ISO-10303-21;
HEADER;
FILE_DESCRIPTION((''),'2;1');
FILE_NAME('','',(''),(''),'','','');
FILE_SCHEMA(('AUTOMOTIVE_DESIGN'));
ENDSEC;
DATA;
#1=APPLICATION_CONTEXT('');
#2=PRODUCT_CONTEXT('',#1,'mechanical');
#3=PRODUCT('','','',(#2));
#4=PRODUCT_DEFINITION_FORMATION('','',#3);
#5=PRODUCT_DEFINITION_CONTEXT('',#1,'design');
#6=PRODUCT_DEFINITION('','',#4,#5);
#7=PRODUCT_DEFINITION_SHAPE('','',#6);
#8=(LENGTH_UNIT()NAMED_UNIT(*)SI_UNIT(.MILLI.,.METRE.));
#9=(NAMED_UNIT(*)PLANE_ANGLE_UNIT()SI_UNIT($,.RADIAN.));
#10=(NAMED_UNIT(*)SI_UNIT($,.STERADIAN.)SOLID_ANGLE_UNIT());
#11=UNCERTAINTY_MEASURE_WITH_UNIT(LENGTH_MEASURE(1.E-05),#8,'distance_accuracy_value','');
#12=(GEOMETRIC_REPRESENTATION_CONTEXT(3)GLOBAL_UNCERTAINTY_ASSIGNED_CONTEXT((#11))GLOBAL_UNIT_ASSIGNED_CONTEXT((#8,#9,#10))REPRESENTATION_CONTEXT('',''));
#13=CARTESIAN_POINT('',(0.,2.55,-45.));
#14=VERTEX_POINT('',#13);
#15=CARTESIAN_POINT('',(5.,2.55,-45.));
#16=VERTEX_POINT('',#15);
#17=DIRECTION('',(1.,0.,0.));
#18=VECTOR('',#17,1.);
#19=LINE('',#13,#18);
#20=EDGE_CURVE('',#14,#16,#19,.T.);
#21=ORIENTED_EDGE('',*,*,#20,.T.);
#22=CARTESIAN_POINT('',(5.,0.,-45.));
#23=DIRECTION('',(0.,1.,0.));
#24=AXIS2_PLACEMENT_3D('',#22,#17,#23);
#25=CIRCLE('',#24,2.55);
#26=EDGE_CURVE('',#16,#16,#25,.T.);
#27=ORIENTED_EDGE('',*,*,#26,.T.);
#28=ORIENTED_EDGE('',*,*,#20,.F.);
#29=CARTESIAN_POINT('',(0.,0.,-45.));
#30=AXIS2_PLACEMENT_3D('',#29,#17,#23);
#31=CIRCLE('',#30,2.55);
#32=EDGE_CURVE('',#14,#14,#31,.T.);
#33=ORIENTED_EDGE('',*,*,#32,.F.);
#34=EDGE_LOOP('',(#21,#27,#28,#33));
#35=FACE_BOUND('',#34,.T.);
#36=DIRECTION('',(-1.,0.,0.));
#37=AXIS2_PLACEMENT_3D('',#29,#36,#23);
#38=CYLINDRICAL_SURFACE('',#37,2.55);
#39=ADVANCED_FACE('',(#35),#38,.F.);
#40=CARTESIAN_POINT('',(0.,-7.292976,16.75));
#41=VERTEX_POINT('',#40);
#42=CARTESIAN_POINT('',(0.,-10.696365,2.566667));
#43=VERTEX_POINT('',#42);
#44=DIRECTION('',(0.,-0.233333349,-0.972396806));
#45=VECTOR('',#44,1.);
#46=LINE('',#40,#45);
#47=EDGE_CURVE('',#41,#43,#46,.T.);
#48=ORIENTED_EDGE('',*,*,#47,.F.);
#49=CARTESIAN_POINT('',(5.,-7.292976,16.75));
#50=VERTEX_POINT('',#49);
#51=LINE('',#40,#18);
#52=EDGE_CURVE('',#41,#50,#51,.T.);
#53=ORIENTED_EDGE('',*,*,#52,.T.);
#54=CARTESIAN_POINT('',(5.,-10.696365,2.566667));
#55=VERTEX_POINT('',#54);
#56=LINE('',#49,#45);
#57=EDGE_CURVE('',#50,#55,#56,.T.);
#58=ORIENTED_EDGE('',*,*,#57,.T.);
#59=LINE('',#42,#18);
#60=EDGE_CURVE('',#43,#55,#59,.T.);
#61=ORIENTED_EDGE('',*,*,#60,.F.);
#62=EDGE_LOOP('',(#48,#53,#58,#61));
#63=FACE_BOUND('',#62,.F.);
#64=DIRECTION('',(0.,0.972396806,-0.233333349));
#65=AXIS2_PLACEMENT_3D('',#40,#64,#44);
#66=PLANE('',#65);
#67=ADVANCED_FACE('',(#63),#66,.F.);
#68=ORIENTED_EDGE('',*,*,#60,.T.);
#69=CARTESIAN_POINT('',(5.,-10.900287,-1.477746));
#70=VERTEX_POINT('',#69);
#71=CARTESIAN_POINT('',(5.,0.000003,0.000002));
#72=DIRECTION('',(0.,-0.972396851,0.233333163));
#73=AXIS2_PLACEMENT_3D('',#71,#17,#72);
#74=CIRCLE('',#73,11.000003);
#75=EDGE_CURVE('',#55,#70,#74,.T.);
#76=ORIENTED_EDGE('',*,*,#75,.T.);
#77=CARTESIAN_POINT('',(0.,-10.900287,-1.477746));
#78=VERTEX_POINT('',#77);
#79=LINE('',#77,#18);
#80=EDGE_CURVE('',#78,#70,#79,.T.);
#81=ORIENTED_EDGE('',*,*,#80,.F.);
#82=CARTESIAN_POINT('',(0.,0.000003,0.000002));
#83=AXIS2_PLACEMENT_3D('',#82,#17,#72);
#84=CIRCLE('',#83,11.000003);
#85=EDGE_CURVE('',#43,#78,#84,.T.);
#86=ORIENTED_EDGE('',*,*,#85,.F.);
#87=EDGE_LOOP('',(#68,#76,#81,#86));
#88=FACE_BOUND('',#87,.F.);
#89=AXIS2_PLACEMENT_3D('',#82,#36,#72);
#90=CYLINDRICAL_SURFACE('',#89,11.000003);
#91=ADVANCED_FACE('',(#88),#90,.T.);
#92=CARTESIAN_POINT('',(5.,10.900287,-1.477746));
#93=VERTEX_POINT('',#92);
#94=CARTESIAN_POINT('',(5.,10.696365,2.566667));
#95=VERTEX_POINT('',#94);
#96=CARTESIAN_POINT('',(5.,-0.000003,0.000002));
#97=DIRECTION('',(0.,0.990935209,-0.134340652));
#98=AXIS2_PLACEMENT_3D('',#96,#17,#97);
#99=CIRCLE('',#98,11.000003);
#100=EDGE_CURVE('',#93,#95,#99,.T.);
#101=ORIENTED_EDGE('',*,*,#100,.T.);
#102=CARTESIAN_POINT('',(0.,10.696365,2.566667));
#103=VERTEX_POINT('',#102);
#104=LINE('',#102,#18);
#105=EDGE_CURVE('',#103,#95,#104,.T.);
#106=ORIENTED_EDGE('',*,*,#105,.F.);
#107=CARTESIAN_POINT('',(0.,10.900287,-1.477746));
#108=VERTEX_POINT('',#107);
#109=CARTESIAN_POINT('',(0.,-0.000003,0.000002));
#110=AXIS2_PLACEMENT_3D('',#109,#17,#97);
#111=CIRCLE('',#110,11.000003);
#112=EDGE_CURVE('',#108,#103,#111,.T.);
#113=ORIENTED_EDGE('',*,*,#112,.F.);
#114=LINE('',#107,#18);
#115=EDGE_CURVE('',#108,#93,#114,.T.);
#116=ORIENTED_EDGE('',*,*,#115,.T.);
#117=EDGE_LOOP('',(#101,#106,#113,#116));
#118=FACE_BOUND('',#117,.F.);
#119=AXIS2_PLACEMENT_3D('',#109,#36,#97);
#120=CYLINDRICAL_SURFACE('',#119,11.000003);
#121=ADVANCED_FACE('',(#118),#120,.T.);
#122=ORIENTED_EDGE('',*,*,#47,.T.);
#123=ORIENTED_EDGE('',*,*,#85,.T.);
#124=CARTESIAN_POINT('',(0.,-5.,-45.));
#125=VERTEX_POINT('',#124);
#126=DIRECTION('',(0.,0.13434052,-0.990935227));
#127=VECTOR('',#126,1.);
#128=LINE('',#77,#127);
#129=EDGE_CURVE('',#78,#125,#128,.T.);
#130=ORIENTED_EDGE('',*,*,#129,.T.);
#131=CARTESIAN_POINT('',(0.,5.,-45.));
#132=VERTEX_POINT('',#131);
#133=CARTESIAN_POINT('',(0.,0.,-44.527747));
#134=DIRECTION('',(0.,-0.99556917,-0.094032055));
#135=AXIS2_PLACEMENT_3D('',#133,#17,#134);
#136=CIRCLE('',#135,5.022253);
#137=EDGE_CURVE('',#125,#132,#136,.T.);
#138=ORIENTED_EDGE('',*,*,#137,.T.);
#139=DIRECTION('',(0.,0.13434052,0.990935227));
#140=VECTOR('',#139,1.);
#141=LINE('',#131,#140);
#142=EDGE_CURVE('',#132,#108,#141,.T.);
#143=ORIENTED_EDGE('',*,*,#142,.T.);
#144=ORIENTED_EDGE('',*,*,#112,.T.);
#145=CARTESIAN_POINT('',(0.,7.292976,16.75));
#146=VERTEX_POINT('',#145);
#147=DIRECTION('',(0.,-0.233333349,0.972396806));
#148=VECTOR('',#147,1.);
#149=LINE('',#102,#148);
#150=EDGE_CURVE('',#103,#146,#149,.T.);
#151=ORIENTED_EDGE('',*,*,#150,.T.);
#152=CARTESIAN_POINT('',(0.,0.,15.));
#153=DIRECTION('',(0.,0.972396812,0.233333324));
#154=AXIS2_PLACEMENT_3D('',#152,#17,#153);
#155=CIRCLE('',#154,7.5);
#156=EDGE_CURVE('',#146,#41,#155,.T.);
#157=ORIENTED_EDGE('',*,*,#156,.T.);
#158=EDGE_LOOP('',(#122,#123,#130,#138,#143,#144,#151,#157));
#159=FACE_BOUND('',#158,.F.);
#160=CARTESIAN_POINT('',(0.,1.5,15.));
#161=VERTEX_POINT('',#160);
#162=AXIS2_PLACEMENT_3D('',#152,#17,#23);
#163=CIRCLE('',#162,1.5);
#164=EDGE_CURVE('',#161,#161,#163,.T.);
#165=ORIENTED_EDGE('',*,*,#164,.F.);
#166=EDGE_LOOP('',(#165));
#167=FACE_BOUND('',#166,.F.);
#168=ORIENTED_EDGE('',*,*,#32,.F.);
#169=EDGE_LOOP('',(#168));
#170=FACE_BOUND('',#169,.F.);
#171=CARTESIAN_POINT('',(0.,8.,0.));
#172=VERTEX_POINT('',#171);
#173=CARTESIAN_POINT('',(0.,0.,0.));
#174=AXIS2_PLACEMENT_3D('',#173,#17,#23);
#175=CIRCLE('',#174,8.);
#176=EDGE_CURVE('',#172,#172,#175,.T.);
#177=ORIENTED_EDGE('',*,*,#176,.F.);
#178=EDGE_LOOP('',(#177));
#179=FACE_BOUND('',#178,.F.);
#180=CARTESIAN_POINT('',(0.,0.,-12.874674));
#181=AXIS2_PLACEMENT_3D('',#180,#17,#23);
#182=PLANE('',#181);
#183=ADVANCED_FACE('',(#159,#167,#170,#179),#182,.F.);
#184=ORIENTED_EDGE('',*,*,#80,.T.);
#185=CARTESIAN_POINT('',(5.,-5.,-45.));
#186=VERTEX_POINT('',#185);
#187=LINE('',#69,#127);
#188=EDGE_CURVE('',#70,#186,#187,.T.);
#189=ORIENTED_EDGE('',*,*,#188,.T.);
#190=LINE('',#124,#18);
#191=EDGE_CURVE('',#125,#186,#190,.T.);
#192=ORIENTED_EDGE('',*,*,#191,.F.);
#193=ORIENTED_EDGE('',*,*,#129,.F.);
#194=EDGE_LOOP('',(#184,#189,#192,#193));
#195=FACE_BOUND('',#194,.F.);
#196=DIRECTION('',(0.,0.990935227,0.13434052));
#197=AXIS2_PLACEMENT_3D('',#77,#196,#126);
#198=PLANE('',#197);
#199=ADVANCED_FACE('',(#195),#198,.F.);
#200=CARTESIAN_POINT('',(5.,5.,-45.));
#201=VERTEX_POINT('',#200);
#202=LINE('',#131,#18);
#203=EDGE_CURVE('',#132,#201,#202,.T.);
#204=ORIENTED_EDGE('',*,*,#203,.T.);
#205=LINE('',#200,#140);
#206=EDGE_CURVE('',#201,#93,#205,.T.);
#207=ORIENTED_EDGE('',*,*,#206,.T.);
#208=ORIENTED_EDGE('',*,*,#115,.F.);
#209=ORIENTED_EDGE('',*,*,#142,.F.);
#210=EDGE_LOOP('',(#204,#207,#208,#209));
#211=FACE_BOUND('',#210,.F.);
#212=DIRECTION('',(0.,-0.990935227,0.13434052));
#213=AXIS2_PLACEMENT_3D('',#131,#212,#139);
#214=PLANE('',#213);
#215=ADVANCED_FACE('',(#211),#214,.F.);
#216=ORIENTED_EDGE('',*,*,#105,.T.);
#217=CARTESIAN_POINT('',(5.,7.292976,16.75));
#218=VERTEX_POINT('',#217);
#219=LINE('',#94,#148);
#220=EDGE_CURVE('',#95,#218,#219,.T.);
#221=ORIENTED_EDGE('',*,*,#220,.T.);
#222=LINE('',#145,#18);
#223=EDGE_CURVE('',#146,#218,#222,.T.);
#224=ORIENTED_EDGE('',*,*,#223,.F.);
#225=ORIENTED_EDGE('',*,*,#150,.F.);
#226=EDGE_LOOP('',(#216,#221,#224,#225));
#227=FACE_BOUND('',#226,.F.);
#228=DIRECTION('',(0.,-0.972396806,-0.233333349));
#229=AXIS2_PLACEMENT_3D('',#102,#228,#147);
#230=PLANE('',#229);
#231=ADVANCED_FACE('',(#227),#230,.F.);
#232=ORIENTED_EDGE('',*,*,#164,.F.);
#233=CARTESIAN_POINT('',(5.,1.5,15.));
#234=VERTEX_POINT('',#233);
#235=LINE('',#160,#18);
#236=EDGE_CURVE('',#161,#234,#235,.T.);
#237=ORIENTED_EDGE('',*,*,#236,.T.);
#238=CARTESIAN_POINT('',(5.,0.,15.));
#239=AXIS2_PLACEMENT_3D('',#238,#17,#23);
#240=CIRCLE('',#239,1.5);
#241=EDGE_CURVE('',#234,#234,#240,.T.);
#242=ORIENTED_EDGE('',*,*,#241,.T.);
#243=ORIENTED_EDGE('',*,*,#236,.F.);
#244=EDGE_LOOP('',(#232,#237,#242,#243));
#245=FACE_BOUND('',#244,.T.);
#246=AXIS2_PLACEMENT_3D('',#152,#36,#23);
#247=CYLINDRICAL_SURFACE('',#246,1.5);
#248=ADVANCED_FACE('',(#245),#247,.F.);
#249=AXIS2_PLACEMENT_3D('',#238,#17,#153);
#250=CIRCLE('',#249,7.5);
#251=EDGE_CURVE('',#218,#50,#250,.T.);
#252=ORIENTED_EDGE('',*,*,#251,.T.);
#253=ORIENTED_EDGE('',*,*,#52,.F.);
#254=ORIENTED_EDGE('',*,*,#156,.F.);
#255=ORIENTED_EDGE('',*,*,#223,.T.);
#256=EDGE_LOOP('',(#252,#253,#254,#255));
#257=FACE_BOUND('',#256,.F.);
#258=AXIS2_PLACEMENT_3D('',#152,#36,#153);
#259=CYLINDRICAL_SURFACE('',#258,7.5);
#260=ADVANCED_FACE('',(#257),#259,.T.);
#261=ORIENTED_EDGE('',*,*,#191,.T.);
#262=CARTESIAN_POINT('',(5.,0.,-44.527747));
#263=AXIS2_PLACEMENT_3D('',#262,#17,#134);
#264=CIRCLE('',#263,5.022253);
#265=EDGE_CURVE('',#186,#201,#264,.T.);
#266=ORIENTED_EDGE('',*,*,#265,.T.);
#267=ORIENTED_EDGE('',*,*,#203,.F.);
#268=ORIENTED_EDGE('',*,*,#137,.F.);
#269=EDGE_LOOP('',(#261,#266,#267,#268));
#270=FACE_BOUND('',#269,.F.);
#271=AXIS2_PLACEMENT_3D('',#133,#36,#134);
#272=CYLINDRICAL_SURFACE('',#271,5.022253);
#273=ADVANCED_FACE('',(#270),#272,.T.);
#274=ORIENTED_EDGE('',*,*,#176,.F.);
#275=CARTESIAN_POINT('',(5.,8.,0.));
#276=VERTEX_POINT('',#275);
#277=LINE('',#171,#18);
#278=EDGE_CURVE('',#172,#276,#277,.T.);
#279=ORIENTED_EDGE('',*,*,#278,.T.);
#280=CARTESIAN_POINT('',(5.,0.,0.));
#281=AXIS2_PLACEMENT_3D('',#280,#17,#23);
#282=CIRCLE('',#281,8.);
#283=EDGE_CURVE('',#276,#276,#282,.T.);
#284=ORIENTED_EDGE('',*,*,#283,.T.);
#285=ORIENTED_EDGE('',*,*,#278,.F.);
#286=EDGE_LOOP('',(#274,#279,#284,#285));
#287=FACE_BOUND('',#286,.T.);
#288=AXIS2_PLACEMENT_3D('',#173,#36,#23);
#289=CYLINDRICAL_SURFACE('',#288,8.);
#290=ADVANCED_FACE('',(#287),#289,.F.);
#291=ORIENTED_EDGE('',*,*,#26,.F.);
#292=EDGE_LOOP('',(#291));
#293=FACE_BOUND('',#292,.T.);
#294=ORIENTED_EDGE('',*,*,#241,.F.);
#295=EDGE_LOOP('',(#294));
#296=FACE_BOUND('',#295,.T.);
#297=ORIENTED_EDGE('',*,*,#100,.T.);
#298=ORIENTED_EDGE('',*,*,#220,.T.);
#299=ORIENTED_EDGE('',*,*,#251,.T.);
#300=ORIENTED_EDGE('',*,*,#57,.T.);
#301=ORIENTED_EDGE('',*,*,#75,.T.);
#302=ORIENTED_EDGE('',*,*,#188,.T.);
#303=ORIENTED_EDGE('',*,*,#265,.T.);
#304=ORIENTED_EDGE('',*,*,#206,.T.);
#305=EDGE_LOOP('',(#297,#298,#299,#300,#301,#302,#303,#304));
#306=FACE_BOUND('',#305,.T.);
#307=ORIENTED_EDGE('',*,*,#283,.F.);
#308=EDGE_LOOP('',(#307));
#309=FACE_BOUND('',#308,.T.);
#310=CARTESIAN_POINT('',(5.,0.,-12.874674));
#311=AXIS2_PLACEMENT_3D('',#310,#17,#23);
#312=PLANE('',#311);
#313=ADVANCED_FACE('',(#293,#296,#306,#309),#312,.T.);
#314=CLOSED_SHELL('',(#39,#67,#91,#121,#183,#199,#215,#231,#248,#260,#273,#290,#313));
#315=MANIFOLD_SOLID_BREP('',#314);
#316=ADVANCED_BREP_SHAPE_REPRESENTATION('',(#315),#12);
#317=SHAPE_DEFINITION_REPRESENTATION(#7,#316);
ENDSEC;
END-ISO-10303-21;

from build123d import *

# Parameters (mm, degrees)
F0_R     = 2.55
F0_R_2   = 8
F0_R_3   = 1.5
F1_DEPTH = 5


with BuildPart() as f1:
    # F0 (on Right) → F1 (new body)
    with BuildSketch(Plane.YZ):
        with BuildLine():
            Line((10.696365, 2.566667), (7.292976, 16.75))
            ThreePointArc((7.292976, 16.75), (0, 22.5), (-7.292976, 16.75))
            Line((-7.292976, 16.75), (-10.696365, 2.566667))
            ThreePointArc((-10.696365, 2.566667), (-10.986044, 0.553925), (-10.900287, -1.477746))
            Line((-10.900287, -1.477746), (-5, -45))
            ThreePointArc((-5, -45), (0, -49.55), (5, -45))
            Line((5, -45), (10.900287, -1.477746))
            ThreePointArc((10.900287, -1.477746), (10.986044, 0.553925), (10.696365, 2.566667))
        make_face()
        with Locations((0, -45)):
            Circle(F0_R, mode=Mode.SUBTRACT)
        Circle(F0_R_2, mode=Mode.SUBTRACT)
        with Locations((0, 15)):
            Circle(F0_R_3, mode=Mode.SUBTRACT)
    extrude(amount=F1_DEPTH)


solid = f1.part
